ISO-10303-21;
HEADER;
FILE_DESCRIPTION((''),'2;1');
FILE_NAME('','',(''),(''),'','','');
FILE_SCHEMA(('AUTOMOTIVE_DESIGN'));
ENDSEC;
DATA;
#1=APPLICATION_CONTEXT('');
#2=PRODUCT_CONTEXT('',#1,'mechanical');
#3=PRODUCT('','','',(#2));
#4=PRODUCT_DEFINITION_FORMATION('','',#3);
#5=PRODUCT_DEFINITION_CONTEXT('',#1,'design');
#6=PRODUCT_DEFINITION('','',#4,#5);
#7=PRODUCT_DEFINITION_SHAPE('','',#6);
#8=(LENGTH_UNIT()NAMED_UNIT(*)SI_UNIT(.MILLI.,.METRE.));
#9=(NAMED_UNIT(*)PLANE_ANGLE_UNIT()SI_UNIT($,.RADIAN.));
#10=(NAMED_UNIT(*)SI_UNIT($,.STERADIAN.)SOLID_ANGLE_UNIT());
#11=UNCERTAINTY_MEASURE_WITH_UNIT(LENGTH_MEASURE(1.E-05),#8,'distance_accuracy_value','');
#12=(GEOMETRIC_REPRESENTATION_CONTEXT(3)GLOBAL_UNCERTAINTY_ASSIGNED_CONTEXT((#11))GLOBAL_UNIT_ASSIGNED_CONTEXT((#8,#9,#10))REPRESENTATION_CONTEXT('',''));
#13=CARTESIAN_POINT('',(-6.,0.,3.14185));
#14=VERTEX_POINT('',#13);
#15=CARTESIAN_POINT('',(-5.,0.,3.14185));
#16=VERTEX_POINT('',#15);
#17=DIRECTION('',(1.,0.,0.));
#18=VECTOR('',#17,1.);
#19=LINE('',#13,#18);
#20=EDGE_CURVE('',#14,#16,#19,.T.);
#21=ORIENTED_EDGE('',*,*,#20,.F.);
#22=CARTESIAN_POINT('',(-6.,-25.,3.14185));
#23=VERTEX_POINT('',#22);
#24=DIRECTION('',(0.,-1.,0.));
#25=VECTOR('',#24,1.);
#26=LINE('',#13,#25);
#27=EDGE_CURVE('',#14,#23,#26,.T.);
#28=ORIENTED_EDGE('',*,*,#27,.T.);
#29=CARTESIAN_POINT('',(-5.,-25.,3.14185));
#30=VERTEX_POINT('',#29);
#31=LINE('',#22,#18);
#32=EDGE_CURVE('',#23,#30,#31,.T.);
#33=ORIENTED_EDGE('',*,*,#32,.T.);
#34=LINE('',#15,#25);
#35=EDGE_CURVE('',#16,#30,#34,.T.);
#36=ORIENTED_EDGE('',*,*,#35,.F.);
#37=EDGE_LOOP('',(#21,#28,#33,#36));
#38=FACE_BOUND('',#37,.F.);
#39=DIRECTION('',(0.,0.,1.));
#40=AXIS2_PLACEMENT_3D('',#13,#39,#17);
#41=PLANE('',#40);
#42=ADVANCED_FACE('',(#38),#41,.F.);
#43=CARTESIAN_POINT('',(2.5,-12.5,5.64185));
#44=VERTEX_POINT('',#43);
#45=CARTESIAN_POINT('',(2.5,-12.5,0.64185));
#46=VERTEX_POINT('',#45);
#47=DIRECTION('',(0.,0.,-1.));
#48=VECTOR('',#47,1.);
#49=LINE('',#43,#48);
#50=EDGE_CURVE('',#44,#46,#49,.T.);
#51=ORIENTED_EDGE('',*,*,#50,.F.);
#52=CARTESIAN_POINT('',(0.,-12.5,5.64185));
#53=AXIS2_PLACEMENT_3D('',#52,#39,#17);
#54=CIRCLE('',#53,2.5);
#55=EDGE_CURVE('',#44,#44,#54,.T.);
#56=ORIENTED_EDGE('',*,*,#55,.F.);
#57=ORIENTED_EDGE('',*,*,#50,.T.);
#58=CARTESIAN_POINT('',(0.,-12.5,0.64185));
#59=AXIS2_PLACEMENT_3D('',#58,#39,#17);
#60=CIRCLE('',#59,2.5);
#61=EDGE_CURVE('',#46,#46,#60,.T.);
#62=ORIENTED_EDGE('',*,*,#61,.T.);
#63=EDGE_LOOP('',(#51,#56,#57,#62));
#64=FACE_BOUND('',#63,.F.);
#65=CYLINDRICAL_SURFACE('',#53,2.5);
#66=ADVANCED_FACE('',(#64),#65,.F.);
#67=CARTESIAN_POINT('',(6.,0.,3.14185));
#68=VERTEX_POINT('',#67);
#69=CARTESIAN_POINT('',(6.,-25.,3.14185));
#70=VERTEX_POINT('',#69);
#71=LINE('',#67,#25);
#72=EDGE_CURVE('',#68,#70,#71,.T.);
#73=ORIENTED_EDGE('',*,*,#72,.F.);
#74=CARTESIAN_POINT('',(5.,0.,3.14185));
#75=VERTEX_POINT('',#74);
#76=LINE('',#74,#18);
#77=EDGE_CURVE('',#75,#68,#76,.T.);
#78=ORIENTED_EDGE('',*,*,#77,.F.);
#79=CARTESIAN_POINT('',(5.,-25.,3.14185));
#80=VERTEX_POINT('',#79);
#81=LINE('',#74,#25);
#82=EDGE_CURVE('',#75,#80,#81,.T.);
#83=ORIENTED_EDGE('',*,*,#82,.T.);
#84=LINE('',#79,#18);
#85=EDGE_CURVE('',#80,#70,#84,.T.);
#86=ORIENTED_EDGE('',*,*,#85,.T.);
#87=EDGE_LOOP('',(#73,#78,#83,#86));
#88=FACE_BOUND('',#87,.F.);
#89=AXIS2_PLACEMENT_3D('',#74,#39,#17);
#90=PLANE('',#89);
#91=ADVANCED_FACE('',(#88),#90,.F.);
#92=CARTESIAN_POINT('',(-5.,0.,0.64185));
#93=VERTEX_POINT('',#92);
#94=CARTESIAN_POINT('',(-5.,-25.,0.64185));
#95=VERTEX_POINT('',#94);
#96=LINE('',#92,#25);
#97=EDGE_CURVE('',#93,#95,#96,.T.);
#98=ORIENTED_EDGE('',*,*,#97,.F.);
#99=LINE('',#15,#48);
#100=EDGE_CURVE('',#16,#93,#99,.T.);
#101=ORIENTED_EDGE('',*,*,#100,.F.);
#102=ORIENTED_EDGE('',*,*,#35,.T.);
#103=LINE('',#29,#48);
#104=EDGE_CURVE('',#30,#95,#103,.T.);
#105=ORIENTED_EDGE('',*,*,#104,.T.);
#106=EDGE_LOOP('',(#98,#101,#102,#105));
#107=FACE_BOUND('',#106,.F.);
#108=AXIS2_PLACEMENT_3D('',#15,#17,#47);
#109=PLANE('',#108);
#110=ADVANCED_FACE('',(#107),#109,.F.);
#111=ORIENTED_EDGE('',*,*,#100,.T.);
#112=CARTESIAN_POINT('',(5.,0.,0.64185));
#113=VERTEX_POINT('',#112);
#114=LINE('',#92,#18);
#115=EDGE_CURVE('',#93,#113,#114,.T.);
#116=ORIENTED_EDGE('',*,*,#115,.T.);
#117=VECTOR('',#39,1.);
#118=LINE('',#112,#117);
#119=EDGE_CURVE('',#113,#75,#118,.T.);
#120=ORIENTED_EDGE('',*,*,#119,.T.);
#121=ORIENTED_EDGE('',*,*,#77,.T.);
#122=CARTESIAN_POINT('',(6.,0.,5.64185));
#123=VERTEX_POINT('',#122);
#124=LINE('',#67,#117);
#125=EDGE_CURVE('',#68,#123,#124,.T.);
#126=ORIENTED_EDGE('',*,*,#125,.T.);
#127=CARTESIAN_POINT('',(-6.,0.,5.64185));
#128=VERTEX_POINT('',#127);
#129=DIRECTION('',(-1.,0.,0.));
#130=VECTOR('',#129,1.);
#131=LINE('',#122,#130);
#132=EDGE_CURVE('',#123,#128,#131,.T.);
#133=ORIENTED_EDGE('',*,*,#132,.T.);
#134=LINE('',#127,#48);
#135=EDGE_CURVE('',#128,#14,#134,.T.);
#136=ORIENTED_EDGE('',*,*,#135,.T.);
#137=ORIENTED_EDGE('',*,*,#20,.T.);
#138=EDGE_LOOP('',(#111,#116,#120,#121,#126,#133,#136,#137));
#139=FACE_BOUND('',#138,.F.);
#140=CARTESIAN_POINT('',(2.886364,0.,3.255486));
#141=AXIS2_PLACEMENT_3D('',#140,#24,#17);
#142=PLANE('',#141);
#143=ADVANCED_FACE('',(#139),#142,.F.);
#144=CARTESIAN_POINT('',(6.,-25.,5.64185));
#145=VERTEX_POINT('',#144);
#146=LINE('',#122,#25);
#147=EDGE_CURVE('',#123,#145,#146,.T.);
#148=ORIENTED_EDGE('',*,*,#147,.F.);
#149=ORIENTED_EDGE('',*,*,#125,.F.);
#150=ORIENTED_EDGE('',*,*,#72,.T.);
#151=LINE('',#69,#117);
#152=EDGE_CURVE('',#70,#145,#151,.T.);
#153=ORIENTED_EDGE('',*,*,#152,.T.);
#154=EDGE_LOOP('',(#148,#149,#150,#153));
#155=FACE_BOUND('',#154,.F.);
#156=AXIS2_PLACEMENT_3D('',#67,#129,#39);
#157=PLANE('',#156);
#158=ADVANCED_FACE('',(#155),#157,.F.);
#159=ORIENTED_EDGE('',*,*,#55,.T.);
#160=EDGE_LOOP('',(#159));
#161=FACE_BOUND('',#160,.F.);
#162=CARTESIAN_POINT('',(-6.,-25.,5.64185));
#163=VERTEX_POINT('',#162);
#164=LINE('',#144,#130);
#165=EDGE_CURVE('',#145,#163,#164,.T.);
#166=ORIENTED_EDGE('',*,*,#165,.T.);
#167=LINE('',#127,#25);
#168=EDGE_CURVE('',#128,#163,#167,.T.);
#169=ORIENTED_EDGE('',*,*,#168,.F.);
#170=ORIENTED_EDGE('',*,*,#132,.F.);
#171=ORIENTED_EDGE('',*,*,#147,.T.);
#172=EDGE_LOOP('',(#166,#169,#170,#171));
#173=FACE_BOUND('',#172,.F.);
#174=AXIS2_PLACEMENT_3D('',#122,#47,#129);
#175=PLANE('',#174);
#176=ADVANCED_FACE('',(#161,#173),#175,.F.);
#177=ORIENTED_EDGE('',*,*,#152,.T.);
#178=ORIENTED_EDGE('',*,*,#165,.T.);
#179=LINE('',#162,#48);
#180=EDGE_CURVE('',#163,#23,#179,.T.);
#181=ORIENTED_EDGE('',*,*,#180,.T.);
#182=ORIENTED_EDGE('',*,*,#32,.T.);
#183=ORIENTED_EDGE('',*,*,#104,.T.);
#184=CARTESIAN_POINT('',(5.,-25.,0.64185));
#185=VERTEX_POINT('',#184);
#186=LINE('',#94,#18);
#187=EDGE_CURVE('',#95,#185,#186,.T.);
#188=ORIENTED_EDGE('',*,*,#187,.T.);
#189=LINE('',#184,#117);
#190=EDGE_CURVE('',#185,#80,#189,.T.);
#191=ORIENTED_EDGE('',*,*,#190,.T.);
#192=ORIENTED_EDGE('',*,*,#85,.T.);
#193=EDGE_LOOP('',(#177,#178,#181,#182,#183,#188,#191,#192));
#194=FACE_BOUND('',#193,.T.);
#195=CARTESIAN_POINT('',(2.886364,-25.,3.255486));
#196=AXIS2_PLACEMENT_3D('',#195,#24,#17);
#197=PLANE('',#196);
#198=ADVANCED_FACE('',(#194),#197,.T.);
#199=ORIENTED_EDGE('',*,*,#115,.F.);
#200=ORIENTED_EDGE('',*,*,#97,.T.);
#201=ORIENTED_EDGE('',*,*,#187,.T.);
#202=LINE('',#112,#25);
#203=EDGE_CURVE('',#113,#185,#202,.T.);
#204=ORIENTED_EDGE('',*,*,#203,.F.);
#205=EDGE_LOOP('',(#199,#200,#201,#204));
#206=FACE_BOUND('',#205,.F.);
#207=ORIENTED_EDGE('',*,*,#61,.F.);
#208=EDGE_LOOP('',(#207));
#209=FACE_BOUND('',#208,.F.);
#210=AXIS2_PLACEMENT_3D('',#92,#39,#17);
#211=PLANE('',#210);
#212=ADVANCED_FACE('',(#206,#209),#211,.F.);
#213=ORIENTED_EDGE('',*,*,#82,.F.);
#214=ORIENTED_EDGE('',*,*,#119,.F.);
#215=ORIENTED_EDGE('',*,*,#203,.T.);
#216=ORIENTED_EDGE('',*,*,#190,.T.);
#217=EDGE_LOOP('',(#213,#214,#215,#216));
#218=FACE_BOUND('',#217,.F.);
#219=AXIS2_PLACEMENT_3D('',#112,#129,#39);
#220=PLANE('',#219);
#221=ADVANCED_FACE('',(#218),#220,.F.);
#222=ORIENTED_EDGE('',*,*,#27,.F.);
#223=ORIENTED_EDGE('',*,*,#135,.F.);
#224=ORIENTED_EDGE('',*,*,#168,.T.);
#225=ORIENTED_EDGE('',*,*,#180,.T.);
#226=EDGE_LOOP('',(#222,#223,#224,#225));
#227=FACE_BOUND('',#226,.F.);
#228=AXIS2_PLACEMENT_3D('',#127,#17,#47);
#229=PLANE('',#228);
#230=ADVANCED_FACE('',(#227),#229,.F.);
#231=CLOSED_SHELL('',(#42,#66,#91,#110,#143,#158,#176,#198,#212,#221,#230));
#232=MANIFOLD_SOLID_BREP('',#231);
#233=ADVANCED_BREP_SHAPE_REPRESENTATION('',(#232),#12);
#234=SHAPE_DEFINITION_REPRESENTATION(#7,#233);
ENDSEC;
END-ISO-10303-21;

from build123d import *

# Parameters (mm, degrees)
F1_DEPTH = 25
F2_R     = 2.5
F3_DEPTH = 25


with BuildPart() as f1:
    # F0 (on Front) → F1 (new body)
    with BuildSketch(Plane.XZ):
        Polygon((6, 5.64185), (0, 5.64185), (0, 0.64185), (5, 0.64185), (5, 3.14185), (6, 3.14185), align=None)
        Polygon((0, 0.64185), (0, 5.64185), (-6, 5.64185), (-6, 3.14185), (-5, 3.14185), (-5, 0.64185), align=None)
    extrude(amount=F1_DEPTH)

    # F2 (on face) → F3 (cut)
    with BuildSketch(Plane.XY.offset(5.64185)):
        with Locations((0, -12.5)):
            Circle(F2_R)
    extrude(amount=-F3_DEPTH, mode=Mode.SUBTRACT)


solid = f1.part
